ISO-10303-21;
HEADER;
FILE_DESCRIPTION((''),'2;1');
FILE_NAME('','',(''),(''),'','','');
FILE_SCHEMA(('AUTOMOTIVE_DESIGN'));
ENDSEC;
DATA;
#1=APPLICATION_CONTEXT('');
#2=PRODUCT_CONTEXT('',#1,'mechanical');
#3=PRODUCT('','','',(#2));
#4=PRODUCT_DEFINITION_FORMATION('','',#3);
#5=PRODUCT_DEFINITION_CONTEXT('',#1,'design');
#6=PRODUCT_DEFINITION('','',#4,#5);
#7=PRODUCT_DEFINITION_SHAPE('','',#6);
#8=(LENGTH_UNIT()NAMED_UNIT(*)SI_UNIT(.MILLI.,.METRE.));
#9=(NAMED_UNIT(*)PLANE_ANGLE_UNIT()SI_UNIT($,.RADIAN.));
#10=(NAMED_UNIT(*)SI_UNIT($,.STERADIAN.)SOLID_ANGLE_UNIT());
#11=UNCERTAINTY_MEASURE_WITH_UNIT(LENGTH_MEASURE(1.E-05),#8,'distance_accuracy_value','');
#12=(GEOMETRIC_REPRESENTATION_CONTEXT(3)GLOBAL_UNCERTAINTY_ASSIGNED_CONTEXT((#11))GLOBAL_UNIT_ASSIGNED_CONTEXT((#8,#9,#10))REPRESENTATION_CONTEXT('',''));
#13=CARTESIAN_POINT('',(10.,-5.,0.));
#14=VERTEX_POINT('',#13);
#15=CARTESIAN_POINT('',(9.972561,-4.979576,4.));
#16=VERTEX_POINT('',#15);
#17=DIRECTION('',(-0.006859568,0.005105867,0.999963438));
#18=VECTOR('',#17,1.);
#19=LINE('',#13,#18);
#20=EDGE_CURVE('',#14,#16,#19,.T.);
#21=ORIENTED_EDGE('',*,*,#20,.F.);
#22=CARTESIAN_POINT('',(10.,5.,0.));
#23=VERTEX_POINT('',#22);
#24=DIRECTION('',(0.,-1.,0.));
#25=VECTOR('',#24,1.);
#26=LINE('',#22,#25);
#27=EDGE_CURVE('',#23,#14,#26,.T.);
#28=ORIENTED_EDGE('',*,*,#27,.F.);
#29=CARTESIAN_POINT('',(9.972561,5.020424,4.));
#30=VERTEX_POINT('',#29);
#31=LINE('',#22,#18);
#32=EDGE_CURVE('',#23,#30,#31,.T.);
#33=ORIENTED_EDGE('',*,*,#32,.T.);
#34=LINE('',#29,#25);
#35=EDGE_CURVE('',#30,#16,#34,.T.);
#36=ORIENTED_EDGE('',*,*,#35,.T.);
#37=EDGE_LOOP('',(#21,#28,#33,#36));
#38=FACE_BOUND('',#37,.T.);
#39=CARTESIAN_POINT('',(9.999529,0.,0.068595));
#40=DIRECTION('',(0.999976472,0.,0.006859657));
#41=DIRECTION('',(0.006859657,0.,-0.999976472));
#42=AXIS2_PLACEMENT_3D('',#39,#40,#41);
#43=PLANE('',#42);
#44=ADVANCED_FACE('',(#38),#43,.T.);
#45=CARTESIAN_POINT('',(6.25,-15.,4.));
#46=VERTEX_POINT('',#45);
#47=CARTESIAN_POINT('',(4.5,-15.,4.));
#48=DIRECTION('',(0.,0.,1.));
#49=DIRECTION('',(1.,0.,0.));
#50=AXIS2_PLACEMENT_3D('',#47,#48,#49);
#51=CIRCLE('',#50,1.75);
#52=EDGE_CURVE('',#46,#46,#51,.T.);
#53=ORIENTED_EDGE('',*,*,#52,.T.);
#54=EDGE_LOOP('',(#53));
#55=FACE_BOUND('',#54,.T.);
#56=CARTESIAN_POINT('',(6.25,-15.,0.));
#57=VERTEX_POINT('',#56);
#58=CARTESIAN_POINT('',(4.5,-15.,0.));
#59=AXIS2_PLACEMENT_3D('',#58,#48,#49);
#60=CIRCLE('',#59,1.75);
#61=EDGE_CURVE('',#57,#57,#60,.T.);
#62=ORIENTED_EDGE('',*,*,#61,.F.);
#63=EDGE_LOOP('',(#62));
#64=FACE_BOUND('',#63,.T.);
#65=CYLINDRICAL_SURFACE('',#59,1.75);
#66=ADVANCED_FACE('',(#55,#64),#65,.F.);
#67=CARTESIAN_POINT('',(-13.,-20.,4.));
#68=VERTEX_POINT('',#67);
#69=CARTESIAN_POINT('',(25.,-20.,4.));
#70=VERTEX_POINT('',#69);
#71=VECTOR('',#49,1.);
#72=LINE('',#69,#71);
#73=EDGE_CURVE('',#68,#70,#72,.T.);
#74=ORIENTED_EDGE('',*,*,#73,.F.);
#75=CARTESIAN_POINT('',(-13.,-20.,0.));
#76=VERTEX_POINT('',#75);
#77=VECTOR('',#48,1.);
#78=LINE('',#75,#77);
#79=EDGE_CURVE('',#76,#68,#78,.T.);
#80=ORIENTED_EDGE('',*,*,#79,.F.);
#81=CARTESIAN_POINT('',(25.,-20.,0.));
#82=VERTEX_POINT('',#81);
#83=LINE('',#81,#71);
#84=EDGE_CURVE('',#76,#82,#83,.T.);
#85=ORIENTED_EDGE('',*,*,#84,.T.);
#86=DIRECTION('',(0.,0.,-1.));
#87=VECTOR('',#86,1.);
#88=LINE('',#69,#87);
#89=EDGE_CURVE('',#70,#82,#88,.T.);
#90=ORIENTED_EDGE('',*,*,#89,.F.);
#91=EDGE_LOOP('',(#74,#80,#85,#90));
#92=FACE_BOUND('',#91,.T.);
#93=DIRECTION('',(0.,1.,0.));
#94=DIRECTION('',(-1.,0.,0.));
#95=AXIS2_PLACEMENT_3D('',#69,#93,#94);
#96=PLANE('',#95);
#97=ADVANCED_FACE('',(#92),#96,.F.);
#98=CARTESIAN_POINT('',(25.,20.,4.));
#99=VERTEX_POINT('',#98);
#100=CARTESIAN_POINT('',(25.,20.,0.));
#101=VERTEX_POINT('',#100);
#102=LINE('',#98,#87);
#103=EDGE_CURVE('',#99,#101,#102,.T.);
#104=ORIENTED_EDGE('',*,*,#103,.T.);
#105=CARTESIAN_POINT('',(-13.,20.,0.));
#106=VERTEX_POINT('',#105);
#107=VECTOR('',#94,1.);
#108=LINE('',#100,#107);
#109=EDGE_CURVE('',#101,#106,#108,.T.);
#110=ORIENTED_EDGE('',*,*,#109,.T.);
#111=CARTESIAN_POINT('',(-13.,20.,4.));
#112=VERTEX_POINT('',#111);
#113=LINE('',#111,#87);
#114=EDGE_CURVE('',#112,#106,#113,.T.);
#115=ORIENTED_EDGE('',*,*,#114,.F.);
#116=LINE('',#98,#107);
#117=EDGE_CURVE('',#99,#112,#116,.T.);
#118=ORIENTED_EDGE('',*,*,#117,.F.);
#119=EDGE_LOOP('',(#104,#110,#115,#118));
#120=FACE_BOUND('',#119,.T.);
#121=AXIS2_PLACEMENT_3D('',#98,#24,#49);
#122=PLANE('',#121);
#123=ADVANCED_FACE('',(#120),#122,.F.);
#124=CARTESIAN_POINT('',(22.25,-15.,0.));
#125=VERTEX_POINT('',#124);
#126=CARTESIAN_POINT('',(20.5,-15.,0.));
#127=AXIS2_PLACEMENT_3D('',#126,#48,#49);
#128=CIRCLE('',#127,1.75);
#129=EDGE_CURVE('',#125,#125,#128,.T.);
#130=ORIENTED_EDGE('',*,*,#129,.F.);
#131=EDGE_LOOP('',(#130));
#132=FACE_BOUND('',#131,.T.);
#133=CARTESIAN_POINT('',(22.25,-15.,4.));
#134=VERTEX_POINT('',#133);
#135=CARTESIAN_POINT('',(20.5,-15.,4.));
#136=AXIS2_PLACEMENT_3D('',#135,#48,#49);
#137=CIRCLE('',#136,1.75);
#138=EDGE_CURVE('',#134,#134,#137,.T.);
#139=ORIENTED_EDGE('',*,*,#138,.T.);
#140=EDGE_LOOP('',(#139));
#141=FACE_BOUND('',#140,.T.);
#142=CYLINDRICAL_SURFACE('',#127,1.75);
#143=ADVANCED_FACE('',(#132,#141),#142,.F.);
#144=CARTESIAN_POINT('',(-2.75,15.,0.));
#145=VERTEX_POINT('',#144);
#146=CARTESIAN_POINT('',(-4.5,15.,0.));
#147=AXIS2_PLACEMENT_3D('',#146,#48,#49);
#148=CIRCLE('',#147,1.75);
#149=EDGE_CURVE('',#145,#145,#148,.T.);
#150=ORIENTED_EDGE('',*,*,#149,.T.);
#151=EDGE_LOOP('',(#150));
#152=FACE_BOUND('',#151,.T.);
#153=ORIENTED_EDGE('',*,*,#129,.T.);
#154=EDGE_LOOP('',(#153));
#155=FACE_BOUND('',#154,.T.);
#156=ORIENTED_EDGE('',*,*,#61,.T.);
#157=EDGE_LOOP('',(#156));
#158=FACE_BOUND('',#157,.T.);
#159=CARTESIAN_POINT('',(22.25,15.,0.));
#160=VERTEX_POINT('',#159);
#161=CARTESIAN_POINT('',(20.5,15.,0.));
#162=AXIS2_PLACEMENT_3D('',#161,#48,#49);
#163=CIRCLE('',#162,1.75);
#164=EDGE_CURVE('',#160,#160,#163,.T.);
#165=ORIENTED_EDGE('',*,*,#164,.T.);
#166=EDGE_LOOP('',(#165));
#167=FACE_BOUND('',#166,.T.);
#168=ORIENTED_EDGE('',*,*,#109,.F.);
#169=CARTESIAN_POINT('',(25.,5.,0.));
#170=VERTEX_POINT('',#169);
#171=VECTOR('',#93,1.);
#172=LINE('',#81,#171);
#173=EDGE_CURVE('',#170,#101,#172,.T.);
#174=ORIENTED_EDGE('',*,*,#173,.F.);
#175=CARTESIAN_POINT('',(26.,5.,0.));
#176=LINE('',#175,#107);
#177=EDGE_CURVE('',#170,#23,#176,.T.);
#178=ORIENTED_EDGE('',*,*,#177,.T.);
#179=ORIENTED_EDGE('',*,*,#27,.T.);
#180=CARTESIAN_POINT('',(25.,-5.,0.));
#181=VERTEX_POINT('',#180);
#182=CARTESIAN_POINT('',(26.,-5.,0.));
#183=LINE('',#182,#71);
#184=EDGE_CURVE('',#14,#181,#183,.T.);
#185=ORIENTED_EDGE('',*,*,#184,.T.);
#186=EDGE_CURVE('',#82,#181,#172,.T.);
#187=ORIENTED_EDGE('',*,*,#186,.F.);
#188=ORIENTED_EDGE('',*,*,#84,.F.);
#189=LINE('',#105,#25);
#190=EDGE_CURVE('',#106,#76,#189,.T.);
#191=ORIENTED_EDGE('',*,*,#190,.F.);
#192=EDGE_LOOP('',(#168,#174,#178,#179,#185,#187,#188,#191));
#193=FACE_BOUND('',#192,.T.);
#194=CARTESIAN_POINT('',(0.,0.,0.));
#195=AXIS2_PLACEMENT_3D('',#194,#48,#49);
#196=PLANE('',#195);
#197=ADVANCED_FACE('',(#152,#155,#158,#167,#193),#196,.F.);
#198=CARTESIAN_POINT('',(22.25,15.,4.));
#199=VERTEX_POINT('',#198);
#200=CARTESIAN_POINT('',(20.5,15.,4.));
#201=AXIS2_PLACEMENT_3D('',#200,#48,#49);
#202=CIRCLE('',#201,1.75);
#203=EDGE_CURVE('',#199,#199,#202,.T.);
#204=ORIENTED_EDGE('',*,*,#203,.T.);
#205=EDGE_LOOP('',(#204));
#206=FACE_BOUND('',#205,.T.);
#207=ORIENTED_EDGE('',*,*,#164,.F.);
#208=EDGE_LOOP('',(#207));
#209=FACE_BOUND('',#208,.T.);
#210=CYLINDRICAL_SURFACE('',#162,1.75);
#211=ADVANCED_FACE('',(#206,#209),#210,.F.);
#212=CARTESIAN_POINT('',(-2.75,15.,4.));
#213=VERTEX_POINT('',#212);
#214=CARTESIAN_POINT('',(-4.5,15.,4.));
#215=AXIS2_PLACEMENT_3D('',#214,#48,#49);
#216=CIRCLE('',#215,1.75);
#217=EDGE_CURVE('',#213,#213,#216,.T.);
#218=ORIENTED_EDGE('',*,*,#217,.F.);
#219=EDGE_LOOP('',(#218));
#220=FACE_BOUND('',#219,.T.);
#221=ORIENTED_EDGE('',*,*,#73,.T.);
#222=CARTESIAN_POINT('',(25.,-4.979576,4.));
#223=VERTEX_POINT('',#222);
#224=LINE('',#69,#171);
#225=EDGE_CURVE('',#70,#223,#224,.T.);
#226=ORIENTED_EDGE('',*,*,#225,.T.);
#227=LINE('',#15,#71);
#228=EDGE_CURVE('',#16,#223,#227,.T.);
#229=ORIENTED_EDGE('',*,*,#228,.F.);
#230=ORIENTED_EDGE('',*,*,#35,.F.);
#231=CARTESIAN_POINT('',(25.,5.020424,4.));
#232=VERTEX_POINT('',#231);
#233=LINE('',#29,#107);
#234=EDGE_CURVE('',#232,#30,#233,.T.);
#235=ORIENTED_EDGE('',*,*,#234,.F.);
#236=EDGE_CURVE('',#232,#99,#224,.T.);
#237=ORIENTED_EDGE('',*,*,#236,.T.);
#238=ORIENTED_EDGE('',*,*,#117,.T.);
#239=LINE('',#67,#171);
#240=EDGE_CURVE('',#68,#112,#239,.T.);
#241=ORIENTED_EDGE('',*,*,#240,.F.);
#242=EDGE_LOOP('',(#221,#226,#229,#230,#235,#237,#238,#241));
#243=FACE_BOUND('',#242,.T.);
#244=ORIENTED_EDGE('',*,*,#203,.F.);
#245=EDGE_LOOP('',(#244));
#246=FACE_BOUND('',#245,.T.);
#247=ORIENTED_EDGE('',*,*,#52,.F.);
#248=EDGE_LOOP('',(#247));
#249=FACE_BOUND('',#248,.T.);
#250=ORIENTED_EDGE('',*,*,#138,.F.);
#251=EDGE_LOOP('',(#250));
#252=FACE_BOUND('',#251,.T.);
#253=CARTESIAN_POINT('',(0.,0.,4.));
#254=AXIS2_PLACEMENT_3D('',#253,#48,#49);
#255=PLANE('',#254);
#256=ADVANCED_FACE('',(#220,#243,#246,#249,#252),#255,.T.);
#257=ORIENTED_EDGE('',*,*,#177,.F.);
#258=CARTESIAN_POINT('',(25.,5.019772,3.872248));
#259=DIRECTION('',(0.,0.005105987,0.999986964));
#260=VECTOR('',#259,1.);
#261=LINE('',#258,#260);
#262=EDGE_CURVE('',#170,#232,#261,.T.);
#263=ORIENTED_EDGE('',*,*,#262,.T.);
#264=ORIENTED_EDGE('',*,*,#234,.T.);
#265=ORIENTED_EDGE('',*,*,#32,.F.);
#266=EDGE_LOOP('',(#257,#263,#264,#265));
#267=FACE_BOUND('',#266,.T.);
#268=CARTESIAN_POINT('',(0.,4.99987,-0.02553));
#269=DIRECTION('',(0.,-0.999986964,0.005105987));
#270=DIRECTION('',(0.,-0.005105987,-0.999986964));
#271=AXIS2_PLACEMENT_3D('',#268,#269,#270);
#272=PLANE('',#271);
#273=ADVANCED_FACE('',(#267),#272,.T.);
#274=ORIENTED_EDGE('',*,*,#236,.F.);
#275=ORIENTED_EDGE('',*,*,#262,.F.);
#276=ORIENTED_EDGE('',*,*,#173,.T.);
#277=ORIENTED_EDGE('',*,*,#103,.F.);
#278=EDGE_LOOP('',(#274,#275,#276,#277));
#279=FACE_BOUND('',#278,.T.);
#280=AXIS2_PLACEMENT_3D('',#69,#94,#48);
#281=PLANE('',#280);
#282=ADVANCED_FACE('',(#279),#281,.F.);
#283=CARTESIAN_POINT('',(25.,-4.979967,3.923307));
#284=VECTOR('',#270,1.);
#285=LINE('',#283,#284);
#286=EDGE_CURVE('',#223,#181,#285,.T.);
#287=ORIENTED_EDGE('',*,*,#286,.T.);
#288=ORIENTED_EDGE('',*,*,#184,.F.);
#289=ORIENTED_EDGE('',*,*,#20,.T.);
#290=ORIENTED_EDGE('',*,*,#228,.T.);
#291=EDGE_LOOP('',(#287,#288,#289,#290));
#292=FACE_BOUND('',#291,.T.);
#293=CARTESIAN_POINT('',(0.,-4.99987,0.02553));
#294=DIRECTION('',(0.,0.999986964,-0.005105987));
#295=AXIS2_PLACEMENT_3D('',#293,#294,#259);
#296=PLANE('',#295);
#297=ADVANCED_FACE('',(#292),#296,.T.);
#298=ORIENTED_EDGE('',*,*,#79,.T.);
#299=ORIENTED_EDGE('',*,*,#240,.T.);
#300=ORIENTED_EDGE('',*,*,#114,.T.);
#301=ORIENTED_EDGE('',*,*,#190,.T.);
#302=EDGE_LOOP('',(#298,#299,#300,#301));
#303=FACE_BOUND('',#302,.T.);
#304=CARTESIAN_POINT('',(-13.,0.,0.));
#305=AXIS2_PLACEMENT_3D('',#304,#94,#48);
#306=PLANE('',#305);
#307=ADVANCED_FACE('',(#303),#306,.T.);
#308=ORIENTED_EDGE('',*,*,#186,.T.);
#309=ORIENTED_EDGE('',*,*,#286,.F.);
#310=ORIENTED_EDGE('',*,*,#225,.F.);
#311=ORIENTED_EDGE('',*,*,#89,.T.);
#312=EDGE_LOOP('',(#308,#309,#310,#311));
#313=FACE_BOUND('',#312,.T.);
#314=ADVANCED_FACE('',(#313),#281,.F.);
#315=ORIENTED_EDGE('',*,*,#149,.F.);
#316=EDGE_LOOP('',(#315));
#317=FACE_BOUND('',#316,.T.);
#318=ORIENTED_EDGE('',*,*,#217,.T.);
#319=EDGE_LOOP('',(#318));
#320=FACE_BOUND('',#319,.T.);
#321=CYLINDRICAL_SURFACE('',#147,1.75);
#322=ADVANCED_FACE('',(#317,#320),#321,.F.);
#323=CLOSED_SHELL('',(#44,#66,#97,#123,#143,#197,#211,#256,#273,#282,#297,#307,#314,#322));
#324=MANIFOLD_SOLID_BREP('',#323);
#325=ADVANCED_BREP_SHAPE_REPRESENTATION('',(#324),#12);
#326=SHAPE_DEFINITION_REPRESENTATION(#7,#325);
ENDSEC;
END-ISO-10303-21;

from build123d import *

# Parameters (mm, degrees)
SKETCH_1_W          = 50
SKETCH_1_H          = 40
EXTRUDE_1_DEPTH     = 4
SKETCH_2_R          = 1.75
CUT_EXTRUDE_1_DEPTH = 4
SKETCH_3_W          = 4
SKETCH_3_H          = 40
CUT_EXTRUDE_2_DEPTH = 12
SKETCH_8_W          = 16
SKETCH_8_H          = 10
SKETCH_11_W         = 16
SKETCH_11_H         = 10


with BuildPart() as part:
    # 草图1 → 凸台-拉伸1 (new body)
    with BuildSketch(Plane.XY):
        Rectangle(SKETCH_1_W, SKETCH_1_H)
    extrude(amount=EXTRUDE_1_DEPTH)

    # 草图2 → 切除-拉伸1 (cut)
    with BuildSketch(Plane.XY.offset(4)):
        with Locations((-20.5, 15)):
            Circle(SKETCH_2_R)
        with Locations((-4.5, 15)):
            Circle(SKETCH_2_R)
        with Locations((20.5, 15)):
            Circle(SKETCH_2_R)
        with Locations((20.5, -15)):
            Circle(SKETCH_2_R)
        with Locations((4.5, -15)):
            Circle(SKETCH_2_R)
        with Locations((-20.5, -15)):
            Circle(SKETCH_2_R)
    extrude(amount=-CUT_EXTRUDE_1_DEPTH, mode=Mode.SUBTRACT)

    # 草图3 → 切除-拉伸2 (cut)
    with BuildSketch(Plane.ZY.offset(25)):
        with Locations((2, 0)):
            Rectangle(SKETCH_3_W, SKETCH_3_H)
    extrude(amount=-CUT_EXTRUDE_2_DEPTH, mode=Mode.SUBTRACT)

    # 草图8 → 切除-放样5 section 0
    with BuildSketch(Plane.XY):
        with Locations((18, 0)):
            Rectangle(SKETCH_8_W, SKETCH_8_H)
    # 草图11 → 切除-放样5 section 1
    with BuildSketch(Plane.XY.offset(4)):
        with Locations((17.972560725, 0.020424216)):
            Rectangle(SKETCH_11_W, SKETCH_11_H)
    loft(mode=Mode.SUBTRACT)


solid = part.part
